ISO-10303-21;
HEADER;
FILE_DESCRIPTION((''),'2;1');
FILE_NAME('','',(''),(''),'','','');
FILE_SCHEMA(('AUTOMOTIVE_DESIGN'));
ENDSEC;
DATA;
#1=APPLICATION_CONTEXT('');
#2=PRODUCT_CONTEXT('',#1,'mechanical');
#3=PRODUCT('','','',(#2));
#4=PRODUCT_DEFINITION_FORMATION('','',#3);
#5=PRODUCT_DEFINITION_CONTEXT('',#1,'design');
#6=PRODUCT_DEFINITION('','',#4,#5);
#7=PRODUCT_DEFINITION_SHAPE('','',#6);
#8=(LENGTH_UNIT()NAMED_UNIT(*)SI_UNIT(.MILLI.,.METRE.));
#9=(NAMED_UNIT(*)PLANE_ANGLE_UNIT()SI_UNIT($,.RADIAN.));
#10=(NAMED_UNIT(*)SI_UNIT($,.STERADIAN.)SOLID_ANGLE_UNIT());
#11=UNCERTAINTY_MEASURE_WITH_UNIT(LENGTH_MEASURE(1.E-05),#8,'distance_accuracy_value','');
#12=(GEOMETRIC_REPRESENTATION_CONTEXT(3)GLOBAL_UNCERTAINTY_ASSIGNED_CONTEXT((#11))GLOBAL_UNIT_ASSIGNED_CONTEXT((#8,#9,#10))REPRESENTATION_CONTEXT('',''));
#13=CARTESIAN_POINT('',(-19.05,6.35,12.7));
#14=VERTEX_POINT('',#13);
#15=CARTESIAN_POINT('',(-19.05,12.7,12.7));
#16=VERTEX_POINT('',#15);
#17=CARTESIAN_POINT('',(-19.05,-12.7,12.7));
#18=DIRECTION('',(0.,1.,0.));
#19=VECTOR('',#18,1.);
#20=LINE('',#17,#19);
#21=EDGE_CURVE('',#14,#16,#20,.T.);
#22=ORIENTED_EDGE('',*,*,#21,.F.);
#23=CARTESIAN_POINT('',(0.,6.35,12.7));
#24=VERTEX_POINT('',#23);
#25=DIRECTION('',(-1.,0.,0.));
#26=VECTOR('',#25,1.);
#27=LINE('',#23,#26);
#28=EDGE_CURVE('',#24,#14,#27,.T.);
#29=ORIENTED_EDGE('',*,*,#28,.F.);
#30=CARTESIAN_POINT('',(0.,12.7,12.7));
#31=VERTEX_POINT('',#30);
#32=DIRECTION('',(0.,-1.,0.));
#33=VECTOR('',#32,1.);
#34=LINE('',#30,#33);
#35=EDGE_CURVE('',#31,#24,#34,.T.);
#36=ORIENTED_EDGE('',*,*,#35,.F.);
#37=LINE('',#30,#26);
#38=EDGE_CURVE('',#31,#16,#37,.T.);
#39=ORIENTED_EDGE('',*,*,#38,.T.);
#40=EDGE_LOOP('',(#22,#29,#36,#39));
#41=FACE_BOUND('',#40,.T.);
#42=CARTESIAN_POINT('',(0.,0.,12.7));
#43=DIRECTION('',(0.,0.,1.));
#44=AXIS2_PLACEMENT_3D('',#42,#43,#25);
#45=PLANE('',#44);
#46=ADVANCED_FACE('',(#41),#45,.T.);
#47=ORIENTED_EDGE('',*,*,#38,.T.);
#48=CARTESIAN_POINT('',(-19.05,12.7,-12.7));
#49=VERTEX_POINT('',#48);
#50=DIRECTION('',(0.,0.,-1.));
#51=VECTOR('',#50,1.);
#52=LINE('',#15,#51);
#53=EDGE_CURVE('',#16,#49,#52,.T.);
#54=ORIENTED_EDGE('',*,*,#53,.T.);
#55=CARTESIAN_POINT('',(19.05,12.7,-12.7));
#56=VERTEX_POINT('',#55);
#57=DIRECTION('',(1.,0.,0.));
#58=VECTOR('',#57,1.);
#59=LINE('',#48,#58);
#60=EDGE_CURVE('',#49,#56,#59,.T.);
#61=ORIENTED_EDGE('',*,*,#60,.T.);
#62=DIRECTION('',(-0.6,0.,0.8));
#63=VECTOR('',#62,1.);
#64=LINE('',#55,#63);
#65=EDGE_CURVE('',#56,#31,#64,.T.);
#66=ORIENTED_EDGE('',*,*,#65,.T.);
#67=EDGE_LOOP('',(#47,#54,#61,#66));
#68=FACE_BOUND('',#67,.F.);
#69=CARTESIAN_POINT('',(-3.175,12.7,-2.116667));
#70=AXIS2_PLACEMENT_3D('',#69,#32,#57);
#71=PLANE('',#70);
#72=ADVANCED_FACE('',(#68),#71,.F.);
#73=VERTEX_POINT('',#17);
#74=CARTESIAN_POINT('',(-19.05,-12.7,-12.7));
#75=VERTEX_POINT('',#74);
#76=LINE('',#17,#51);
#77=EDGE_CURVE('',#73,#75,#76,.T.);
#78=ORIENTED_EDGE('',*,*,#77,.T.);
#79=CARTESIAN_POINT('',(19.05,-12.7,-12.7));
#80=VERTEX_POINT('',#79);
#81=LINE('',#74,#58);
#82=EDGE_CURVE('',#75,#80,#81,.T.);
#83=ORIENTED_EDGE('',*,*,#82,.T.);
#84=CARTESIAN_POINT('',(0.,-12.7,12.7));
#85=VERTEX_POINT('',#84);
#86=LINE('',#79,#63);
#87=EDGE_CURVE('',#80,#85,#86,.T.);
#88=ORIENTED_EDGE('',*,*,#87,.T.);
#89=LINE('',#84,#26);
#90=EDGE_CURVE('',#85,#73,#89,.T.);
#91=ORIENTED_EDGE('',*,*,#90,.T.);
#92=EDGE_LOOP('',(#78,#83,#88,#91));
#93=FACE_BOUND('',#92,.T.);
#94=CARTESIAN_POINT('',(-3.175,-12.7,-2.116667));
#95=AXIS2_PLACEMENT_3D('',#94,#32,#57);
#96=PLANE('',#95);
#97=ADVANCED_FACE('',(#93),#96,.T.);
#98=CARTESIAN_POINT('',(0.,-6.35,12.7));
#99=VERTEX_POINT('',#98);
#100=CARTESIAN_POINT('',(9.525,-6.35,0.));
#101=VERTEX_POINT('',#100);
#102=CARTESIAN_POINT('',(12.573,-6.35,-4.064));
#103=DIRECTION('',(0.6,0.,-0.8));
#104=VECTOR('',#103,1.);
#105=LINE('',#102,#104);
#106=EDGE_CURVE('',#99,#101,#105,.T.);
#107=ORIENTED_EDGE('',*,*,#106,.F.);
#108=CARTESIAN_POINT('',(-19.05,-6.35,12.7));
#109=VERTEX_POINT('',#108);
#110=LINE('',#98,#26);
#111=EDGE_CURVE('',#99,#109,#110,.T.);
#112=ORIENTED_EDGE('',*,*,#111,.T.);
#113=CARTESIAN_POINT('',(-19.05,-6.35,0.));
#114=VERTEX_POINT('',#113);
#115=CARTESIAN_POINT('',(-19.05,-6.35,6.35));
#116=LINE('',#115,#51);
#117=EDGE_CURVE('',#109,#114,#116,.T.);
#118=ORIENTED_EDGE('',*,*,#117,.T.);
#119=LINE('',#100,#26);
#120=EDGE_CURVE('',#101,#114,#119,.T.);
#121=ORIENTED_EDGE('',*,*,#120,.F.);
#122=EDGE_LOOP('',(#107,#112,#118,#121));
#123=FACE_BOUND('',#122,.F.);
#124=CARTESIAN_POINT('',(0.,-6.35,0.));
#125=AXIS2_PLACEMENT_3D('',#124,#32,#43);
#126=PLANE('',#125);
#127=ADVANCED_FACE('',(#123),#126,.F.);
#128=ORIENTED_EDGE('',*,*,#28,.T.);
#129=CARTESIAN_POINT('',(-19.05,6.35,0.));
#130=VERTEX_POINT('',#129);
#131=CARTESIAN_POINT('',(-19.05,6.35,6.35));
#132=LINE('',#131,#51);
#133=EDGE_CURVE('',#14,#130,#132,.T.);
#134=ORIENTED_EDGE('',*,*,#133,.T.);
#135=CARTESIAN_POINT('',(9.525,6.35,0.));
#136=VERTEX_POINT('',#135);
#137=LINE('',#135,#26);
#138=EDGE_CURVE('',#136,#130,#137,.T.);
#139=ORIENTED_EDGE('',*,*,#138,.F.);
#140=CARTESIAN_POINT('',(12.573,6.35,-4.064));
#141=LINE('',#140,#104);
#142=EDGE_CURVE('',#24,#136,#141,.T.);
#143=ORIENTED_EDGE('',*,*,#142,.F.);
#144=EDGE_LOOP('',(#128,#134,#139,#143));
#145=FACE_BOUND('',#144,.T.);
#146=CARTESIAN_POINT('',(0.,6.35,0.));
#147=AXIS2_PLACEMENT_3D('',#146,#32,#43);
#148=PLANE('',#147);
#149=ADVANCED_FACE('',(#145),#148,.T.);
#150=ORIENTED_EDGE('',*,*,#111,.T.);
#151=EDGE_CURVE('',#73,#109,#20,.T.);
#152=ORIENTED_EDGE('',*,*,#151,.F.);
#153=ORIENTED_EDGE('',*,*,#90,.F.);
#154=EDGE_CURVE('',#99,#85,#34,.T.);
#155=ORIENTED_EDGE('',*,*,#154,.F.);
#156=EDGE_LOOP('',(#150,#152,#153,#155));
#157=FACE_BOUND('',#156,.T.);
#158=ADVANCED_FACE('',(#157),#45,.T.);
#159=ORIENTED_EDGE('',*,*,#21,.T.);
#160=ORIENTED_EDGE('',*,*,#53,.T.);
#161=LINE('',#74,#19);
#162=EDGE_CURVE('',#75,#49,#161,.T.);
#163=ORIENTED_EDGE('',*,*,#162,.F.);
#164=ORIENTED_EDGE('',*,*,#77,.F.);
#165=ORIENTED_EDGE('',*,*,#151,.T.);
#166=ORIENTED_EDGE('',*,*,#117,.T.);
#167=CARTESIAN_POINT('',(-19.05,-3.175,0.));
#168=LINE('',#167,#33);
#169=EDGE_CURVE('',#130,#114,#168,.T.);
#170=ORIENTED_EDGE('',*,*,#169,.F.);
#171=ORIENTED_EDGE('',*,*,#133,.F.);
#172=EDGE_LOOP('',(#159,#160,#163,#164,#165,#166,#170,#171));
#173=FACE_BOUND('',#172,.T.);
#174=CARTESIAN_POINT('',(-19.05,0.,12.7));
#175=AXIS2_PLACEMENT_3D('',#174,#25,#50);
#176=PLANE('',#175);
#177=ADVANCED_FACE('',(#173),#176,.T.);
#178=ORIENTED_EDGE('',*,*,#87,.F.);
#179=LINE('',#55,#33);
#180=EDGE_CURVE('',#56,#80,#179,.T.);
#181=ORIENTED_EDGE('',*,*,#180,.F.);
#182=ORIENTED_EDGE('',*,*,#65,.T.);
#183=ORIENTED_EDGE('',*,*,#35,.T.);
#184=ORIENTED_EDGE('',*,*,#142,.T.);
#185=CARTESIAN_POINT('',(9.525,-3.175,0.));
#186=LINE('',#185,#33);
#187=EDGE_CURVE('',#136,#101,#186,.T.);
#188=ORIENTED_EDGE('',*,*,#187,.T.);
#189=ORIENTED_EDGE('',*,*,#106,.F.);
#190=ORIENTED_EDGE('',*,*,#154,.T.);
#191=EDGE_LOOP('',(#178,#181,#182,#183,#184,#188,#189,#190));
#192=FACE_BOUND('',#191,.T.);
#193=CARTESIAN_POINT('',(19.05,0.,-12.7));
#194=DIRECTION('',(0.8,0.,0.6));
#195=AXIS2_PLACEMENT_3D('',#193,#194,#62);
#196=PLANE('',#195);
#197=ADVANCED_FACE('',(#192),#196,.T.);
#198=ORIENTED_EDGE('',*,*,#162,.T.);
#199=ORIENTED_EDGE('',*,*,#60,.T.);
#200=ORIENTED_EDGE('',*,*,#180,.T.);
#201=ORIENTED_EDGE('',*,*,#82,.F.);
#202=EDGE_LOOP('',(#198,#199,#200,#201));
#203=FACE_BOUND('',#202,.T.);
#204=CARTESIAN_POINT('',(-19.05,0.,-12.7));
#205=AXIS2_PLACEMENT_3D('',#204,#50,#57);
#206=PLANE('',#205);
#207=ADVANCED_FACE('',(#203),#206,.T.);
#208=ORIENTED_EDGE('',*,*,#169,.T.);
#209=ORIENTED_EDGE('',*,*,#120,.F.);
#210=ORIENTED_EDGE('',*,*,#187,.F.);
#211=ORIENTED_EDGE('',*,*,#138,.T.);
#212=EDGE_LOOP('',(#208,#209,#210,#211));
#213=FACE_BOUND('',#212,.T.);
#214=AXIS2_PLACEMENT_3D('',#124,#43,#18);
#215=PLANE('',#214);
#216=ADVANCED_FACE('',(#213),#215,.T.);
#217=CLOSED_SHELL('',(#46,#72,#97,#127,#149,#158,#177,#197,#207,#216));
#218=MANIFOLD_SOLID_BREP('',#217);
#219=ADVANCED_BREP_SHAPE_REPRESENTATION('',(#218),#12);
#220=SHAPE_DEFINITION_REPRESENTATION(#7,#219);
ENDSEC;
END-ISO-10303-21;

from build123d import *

# Parameters (mm, degrees)
F1_DEPTH      = 12.7
F2_W          = 12.7
F2_H          = 12.7
F3_DEPTH      = 19.051
F3_DEPTH_BACK = 19.051


with BuildPart() as f1:
    # F0 (on Front) → F1 (new body, symmetric)
    with BuildSketch(Plane.XZ):
        Polygon((-19.05, -12.7), (19.05, -12.7), (0, 12.7), (-19.05, 12.7), align=None)
    extrude(amount=F1_DEPTH, both=True)

    # F2 (on Right) → F3 (cut, two sides)
    with BuildSketch(Plane.YZ) as f3_sk:
        with Locations((0, 6.35)):
            Rectangle(F2_W, F2_H)
    extrude(amount=-F3_DEPTH, mode=Mode.SUBTRACT)
    extrude(f3_sk.sketch, amount=F3_DEPTH_BACK, mode=Mode.SUBTRACT)


solid = f1.part
